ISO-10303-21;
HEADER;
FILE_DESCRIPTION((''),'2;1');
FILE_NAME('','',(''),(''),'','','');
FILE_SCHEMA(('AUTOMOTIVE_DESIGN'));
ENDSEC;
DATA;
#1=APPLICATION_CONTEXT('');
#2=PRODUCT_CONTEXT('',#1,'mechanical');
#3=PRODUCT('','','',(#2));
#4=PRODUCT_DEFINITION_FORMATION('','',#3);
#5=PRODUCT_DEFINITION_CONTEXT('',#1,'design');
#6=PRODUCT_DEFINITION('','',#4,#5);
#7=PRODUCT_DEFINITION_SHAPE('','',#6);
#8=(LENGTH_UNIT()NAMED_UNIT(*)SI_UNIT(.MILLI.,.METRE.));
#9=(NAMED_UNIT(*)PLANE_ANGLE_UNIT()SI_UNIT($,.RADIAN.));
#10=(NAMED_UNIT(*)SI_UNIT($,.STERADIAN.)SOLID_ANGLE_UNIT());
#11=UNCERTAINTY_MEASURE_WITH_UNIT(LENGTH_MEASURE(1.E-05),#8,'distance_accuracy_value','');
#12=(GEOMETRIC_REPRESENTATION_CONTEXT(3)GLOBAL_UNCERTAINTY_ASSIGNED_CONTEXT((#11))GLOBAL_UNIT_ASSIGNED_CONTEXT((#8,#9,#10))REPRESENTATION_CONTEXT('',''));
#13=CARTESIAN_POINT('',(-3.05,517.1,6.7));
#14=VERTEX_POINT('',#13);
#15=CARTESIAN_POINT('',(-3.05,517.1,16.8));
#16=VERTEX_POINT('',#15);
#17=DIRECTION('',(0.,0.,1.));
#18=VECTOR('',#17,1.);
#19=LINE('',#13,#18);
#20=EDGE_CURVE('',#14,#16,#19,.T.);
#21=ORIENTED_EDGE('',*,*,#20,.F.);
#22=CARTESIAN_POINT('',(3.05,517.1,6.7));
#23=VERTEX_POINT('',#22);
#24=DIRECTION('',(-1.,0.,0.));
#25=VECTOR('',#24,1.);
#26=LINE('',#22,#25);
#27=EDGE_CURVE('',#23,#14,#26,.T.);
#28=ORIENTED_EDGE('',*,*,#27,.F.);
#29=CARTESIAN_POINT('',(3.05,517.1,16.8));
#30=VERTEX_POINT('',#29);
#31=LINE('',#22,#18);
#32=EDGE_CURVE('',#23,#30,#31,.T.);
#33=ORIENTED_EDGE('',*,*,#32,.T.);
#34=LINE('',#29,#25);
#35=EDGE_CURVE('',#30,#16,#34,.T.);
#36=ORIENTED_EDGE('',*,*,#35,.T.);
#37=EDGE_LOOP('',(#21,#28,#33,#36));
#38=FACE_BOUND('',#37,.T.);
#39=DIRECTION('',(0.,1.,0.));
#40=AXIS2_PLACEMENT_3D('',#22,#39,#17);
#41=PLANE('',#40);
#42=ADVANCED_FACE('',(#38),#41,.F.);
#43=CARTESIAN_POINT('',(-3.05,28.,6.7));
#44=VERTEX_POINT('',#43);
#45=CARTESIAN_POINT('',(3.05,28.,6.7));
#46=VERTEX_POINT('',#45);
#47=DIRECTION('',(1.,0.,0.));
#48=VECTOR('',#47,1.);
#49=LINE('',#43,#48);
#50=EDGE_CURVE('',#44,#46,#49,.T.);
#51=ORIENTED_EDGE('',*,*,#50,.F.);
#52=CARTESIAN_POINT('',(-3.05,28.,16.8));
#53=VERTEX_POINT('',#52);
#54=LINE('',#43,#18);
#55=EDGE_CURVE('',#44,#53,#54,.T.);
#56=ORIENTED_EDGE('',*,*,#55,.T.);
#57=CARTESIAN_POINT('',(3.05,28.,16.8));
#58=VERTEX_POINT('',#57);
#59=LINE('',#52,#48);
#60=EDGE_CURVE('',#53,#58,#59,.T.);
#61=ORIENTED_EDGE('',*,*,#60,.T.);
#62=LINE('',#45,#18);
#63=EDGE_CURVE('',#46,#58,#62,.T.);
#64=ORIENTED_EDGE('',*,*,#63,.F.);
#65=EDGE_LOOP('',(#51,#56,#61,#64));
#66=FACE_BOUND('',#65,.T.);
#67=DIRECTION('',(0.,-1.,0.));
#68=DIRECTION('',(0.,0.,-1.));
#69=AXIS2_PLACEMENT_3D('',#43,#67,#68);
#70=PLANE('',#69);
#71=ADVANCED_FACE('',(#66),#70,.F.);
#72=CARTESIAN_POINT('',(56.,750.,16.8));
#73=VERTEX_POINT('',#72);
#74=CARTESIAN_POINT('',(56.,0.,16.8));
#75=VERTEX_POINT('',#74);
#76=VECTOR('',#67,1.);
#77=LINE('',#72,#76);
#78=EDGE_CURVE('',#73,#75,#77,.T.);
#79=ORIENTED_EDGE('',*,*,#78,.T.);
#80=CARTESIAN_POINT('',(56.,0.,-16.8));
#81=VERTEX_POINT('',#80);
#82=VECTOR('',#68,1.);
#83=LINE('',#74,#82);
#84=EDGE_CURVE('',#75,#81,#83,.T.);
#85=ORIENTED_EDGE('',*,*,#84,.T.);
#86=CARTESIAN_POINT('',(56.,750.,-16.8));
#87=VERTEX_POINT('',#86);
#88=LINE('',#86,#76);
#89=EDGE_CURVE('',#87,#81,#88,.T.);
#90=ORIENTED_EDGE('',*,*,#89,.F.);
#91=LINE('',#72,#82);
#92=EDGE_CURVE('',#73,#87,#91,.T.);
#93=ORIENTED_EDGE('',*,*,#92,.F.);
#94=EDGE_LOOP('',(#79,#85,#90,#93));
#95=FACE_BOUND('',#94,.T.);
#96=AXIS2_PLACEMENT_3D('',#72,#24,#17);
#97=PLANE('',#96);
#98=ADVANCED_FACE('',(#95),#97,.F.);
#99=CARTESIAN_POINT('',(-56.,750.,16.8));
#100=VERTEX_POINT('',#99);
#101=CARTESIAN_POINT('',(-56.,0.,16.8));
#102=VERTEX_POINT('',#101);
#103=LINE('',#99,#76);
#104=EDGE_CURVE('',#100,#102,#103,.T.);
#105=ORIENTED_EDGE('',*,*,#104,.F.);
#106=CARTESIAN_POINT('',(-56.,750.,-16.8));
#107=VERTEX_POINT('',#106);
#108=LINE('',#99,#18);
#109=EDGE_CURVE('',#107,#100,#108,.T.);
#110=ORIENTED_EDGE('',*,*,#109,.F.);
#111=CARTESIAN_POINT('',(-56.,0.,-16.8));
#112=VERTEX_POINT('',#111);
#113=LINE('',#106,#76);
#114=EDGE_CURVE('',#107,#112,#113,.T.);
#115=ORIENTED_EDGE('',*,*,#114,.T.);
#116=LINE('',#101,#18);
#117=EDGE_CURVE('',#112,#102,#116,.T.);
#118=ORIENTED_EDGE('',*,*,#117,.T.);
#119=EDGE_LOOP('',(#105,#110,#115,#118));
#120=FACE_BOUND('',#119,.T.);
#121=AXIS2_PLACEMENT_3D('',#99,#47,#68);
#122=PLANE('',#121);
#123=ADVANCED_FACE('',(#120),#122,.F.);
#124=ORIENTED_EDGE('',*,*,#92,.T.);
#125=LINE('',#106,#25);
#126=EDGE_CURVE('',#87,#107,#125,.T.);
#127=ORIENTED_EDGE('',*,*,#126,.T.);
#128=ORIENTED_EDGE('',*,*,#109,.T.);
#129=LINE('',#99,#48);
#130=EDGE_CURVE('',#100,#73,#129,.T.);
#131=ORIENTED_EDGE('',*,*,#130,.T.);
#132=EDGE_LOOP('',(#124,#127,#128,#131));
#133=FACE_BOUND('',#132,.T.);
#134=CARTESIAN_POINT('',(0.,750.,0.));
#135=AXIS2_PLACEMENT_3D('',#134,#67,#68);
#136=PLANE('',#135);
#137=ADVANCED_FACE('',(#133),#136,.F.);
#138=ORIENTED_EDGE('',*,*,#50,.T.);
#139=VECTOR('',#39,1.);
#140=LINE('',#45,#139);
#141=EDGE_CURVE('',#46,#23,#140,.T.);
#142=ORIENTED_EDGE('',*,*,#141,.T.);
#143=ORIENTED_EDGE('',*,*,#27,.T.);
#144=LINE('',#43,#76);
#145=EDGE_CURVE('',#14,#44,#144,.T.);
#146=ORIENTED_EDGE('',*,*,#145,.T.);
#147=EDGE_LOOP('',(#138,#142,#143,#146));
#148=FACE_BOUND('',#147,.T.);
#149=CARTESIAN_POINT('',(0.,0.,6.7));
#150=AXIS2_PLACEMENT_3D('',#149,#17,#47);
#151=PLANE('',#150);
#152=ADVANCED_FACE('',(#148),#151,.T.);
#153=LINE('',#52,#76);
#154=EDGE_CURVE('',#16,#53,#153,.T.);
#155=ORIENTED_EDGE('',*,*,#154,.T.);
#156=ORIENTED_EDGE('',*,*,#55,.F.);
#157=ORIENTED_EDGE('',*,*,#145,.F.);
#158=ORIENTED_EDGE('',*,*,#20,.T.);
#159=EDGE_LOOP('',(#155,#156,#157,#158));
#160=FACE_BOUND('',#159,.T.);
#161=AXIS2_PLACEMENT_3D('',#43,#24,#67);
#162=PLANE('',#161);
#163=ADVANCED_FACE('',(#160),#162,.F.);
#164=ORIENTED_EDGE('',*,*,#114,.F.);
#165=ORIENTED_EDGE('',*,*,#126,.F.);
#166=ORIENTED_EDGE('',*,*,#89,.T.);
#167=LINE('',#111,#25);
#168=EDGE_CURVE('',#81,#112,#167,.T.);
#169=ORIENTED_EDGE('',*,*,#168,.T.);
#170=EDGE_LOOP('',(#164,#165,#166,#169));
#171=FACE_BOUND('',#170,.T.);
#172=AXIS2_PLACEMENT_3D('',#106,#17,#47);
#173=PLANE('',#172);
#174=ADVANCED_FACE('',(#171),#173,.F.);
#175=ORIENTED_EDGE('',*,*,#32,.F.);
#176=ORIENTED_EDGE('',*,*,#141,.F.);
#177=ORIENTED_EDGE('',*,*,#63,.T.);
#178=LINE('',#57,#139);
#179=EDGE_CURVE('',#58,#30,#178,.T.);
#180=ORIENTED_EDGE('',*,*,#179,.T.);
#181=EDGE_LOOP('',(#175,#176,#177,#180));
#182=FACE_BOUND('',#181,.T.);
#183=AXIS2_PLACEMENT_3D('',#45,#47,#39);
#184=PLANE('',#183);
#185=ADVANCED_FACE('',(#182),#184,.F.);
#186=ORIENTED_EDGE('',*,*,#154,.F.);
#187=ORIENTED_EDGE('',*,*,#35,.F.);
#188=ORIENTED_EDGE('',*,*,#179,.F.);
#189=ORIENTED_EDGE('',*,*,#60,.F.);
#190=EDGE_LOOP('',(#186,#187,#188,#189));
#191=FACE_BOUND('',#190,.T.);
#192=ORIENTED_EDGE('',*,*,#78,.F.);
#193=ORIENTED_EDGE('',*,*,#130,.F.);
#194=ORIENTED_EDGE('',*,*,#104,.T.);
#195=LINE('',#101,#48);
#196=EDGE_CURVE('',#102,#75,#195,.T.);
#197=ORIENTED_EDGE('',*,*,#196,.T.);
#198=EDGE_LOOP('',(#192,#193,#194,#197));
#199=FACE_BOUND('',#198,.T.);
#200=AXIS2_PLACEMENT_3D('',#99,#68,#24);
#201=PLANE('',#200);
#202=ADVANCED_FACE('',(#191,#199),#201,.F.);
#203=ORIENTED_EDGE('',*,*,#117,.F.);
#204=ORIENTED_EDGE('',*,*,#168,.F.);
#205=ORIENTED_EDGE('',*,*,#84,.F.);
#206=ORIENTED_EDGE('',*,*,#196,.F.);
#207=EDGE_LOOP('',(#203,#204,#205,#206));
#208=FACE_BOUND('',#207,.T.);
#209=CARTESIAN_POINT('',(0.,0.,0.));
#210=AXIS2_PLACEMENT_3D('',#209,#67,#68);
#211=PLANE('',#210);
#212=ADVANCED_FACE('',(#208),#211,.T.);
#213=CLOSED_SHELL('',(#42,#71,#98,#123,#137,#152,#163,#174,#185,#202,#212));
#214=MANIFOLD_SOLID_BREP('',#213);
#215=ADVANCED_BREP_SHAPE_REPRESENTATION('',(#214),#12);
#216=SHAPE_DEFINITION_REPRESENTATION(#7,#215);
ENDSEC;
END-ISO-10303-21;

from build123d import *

# Parameters (mm, degrees)
SKETCH1_W           = 112
SKETCH1_H           = 33.6
BOSS_EXTRUDE1_DEPTH = 750
SKETCH2_W           = 6.1
SKETCH2_H           = 489.1
CUT_EXTRUDE1_DEPTH  = 10.1


with BuildPart() as part:
    # Sketch1 → Boss-Extrude1 (new body)
    with BuildSketch(Plane(origin=(0, 0, 0), x_dir=(1, 0, 0), z_dir=(0, 1, 0))):
        Rectangle(SKETCH1_W, SKETCH1_H)
    extrude(amount=BOSS_EXTRUDE1_DEPTH)

    # Sketch2 → Cut-Extrude1 (cut)
    with BuildSketch(Plane.XY.offset(16.8)):
        with Locations((0, 272.55)):
            Rectangle(SKETCH2_W, SKETCH2_H)
    extrude(amount=-CUT_EXTRUDE1_DEPTH, mode=Mode.SUBTRACT)


solid = part.part
